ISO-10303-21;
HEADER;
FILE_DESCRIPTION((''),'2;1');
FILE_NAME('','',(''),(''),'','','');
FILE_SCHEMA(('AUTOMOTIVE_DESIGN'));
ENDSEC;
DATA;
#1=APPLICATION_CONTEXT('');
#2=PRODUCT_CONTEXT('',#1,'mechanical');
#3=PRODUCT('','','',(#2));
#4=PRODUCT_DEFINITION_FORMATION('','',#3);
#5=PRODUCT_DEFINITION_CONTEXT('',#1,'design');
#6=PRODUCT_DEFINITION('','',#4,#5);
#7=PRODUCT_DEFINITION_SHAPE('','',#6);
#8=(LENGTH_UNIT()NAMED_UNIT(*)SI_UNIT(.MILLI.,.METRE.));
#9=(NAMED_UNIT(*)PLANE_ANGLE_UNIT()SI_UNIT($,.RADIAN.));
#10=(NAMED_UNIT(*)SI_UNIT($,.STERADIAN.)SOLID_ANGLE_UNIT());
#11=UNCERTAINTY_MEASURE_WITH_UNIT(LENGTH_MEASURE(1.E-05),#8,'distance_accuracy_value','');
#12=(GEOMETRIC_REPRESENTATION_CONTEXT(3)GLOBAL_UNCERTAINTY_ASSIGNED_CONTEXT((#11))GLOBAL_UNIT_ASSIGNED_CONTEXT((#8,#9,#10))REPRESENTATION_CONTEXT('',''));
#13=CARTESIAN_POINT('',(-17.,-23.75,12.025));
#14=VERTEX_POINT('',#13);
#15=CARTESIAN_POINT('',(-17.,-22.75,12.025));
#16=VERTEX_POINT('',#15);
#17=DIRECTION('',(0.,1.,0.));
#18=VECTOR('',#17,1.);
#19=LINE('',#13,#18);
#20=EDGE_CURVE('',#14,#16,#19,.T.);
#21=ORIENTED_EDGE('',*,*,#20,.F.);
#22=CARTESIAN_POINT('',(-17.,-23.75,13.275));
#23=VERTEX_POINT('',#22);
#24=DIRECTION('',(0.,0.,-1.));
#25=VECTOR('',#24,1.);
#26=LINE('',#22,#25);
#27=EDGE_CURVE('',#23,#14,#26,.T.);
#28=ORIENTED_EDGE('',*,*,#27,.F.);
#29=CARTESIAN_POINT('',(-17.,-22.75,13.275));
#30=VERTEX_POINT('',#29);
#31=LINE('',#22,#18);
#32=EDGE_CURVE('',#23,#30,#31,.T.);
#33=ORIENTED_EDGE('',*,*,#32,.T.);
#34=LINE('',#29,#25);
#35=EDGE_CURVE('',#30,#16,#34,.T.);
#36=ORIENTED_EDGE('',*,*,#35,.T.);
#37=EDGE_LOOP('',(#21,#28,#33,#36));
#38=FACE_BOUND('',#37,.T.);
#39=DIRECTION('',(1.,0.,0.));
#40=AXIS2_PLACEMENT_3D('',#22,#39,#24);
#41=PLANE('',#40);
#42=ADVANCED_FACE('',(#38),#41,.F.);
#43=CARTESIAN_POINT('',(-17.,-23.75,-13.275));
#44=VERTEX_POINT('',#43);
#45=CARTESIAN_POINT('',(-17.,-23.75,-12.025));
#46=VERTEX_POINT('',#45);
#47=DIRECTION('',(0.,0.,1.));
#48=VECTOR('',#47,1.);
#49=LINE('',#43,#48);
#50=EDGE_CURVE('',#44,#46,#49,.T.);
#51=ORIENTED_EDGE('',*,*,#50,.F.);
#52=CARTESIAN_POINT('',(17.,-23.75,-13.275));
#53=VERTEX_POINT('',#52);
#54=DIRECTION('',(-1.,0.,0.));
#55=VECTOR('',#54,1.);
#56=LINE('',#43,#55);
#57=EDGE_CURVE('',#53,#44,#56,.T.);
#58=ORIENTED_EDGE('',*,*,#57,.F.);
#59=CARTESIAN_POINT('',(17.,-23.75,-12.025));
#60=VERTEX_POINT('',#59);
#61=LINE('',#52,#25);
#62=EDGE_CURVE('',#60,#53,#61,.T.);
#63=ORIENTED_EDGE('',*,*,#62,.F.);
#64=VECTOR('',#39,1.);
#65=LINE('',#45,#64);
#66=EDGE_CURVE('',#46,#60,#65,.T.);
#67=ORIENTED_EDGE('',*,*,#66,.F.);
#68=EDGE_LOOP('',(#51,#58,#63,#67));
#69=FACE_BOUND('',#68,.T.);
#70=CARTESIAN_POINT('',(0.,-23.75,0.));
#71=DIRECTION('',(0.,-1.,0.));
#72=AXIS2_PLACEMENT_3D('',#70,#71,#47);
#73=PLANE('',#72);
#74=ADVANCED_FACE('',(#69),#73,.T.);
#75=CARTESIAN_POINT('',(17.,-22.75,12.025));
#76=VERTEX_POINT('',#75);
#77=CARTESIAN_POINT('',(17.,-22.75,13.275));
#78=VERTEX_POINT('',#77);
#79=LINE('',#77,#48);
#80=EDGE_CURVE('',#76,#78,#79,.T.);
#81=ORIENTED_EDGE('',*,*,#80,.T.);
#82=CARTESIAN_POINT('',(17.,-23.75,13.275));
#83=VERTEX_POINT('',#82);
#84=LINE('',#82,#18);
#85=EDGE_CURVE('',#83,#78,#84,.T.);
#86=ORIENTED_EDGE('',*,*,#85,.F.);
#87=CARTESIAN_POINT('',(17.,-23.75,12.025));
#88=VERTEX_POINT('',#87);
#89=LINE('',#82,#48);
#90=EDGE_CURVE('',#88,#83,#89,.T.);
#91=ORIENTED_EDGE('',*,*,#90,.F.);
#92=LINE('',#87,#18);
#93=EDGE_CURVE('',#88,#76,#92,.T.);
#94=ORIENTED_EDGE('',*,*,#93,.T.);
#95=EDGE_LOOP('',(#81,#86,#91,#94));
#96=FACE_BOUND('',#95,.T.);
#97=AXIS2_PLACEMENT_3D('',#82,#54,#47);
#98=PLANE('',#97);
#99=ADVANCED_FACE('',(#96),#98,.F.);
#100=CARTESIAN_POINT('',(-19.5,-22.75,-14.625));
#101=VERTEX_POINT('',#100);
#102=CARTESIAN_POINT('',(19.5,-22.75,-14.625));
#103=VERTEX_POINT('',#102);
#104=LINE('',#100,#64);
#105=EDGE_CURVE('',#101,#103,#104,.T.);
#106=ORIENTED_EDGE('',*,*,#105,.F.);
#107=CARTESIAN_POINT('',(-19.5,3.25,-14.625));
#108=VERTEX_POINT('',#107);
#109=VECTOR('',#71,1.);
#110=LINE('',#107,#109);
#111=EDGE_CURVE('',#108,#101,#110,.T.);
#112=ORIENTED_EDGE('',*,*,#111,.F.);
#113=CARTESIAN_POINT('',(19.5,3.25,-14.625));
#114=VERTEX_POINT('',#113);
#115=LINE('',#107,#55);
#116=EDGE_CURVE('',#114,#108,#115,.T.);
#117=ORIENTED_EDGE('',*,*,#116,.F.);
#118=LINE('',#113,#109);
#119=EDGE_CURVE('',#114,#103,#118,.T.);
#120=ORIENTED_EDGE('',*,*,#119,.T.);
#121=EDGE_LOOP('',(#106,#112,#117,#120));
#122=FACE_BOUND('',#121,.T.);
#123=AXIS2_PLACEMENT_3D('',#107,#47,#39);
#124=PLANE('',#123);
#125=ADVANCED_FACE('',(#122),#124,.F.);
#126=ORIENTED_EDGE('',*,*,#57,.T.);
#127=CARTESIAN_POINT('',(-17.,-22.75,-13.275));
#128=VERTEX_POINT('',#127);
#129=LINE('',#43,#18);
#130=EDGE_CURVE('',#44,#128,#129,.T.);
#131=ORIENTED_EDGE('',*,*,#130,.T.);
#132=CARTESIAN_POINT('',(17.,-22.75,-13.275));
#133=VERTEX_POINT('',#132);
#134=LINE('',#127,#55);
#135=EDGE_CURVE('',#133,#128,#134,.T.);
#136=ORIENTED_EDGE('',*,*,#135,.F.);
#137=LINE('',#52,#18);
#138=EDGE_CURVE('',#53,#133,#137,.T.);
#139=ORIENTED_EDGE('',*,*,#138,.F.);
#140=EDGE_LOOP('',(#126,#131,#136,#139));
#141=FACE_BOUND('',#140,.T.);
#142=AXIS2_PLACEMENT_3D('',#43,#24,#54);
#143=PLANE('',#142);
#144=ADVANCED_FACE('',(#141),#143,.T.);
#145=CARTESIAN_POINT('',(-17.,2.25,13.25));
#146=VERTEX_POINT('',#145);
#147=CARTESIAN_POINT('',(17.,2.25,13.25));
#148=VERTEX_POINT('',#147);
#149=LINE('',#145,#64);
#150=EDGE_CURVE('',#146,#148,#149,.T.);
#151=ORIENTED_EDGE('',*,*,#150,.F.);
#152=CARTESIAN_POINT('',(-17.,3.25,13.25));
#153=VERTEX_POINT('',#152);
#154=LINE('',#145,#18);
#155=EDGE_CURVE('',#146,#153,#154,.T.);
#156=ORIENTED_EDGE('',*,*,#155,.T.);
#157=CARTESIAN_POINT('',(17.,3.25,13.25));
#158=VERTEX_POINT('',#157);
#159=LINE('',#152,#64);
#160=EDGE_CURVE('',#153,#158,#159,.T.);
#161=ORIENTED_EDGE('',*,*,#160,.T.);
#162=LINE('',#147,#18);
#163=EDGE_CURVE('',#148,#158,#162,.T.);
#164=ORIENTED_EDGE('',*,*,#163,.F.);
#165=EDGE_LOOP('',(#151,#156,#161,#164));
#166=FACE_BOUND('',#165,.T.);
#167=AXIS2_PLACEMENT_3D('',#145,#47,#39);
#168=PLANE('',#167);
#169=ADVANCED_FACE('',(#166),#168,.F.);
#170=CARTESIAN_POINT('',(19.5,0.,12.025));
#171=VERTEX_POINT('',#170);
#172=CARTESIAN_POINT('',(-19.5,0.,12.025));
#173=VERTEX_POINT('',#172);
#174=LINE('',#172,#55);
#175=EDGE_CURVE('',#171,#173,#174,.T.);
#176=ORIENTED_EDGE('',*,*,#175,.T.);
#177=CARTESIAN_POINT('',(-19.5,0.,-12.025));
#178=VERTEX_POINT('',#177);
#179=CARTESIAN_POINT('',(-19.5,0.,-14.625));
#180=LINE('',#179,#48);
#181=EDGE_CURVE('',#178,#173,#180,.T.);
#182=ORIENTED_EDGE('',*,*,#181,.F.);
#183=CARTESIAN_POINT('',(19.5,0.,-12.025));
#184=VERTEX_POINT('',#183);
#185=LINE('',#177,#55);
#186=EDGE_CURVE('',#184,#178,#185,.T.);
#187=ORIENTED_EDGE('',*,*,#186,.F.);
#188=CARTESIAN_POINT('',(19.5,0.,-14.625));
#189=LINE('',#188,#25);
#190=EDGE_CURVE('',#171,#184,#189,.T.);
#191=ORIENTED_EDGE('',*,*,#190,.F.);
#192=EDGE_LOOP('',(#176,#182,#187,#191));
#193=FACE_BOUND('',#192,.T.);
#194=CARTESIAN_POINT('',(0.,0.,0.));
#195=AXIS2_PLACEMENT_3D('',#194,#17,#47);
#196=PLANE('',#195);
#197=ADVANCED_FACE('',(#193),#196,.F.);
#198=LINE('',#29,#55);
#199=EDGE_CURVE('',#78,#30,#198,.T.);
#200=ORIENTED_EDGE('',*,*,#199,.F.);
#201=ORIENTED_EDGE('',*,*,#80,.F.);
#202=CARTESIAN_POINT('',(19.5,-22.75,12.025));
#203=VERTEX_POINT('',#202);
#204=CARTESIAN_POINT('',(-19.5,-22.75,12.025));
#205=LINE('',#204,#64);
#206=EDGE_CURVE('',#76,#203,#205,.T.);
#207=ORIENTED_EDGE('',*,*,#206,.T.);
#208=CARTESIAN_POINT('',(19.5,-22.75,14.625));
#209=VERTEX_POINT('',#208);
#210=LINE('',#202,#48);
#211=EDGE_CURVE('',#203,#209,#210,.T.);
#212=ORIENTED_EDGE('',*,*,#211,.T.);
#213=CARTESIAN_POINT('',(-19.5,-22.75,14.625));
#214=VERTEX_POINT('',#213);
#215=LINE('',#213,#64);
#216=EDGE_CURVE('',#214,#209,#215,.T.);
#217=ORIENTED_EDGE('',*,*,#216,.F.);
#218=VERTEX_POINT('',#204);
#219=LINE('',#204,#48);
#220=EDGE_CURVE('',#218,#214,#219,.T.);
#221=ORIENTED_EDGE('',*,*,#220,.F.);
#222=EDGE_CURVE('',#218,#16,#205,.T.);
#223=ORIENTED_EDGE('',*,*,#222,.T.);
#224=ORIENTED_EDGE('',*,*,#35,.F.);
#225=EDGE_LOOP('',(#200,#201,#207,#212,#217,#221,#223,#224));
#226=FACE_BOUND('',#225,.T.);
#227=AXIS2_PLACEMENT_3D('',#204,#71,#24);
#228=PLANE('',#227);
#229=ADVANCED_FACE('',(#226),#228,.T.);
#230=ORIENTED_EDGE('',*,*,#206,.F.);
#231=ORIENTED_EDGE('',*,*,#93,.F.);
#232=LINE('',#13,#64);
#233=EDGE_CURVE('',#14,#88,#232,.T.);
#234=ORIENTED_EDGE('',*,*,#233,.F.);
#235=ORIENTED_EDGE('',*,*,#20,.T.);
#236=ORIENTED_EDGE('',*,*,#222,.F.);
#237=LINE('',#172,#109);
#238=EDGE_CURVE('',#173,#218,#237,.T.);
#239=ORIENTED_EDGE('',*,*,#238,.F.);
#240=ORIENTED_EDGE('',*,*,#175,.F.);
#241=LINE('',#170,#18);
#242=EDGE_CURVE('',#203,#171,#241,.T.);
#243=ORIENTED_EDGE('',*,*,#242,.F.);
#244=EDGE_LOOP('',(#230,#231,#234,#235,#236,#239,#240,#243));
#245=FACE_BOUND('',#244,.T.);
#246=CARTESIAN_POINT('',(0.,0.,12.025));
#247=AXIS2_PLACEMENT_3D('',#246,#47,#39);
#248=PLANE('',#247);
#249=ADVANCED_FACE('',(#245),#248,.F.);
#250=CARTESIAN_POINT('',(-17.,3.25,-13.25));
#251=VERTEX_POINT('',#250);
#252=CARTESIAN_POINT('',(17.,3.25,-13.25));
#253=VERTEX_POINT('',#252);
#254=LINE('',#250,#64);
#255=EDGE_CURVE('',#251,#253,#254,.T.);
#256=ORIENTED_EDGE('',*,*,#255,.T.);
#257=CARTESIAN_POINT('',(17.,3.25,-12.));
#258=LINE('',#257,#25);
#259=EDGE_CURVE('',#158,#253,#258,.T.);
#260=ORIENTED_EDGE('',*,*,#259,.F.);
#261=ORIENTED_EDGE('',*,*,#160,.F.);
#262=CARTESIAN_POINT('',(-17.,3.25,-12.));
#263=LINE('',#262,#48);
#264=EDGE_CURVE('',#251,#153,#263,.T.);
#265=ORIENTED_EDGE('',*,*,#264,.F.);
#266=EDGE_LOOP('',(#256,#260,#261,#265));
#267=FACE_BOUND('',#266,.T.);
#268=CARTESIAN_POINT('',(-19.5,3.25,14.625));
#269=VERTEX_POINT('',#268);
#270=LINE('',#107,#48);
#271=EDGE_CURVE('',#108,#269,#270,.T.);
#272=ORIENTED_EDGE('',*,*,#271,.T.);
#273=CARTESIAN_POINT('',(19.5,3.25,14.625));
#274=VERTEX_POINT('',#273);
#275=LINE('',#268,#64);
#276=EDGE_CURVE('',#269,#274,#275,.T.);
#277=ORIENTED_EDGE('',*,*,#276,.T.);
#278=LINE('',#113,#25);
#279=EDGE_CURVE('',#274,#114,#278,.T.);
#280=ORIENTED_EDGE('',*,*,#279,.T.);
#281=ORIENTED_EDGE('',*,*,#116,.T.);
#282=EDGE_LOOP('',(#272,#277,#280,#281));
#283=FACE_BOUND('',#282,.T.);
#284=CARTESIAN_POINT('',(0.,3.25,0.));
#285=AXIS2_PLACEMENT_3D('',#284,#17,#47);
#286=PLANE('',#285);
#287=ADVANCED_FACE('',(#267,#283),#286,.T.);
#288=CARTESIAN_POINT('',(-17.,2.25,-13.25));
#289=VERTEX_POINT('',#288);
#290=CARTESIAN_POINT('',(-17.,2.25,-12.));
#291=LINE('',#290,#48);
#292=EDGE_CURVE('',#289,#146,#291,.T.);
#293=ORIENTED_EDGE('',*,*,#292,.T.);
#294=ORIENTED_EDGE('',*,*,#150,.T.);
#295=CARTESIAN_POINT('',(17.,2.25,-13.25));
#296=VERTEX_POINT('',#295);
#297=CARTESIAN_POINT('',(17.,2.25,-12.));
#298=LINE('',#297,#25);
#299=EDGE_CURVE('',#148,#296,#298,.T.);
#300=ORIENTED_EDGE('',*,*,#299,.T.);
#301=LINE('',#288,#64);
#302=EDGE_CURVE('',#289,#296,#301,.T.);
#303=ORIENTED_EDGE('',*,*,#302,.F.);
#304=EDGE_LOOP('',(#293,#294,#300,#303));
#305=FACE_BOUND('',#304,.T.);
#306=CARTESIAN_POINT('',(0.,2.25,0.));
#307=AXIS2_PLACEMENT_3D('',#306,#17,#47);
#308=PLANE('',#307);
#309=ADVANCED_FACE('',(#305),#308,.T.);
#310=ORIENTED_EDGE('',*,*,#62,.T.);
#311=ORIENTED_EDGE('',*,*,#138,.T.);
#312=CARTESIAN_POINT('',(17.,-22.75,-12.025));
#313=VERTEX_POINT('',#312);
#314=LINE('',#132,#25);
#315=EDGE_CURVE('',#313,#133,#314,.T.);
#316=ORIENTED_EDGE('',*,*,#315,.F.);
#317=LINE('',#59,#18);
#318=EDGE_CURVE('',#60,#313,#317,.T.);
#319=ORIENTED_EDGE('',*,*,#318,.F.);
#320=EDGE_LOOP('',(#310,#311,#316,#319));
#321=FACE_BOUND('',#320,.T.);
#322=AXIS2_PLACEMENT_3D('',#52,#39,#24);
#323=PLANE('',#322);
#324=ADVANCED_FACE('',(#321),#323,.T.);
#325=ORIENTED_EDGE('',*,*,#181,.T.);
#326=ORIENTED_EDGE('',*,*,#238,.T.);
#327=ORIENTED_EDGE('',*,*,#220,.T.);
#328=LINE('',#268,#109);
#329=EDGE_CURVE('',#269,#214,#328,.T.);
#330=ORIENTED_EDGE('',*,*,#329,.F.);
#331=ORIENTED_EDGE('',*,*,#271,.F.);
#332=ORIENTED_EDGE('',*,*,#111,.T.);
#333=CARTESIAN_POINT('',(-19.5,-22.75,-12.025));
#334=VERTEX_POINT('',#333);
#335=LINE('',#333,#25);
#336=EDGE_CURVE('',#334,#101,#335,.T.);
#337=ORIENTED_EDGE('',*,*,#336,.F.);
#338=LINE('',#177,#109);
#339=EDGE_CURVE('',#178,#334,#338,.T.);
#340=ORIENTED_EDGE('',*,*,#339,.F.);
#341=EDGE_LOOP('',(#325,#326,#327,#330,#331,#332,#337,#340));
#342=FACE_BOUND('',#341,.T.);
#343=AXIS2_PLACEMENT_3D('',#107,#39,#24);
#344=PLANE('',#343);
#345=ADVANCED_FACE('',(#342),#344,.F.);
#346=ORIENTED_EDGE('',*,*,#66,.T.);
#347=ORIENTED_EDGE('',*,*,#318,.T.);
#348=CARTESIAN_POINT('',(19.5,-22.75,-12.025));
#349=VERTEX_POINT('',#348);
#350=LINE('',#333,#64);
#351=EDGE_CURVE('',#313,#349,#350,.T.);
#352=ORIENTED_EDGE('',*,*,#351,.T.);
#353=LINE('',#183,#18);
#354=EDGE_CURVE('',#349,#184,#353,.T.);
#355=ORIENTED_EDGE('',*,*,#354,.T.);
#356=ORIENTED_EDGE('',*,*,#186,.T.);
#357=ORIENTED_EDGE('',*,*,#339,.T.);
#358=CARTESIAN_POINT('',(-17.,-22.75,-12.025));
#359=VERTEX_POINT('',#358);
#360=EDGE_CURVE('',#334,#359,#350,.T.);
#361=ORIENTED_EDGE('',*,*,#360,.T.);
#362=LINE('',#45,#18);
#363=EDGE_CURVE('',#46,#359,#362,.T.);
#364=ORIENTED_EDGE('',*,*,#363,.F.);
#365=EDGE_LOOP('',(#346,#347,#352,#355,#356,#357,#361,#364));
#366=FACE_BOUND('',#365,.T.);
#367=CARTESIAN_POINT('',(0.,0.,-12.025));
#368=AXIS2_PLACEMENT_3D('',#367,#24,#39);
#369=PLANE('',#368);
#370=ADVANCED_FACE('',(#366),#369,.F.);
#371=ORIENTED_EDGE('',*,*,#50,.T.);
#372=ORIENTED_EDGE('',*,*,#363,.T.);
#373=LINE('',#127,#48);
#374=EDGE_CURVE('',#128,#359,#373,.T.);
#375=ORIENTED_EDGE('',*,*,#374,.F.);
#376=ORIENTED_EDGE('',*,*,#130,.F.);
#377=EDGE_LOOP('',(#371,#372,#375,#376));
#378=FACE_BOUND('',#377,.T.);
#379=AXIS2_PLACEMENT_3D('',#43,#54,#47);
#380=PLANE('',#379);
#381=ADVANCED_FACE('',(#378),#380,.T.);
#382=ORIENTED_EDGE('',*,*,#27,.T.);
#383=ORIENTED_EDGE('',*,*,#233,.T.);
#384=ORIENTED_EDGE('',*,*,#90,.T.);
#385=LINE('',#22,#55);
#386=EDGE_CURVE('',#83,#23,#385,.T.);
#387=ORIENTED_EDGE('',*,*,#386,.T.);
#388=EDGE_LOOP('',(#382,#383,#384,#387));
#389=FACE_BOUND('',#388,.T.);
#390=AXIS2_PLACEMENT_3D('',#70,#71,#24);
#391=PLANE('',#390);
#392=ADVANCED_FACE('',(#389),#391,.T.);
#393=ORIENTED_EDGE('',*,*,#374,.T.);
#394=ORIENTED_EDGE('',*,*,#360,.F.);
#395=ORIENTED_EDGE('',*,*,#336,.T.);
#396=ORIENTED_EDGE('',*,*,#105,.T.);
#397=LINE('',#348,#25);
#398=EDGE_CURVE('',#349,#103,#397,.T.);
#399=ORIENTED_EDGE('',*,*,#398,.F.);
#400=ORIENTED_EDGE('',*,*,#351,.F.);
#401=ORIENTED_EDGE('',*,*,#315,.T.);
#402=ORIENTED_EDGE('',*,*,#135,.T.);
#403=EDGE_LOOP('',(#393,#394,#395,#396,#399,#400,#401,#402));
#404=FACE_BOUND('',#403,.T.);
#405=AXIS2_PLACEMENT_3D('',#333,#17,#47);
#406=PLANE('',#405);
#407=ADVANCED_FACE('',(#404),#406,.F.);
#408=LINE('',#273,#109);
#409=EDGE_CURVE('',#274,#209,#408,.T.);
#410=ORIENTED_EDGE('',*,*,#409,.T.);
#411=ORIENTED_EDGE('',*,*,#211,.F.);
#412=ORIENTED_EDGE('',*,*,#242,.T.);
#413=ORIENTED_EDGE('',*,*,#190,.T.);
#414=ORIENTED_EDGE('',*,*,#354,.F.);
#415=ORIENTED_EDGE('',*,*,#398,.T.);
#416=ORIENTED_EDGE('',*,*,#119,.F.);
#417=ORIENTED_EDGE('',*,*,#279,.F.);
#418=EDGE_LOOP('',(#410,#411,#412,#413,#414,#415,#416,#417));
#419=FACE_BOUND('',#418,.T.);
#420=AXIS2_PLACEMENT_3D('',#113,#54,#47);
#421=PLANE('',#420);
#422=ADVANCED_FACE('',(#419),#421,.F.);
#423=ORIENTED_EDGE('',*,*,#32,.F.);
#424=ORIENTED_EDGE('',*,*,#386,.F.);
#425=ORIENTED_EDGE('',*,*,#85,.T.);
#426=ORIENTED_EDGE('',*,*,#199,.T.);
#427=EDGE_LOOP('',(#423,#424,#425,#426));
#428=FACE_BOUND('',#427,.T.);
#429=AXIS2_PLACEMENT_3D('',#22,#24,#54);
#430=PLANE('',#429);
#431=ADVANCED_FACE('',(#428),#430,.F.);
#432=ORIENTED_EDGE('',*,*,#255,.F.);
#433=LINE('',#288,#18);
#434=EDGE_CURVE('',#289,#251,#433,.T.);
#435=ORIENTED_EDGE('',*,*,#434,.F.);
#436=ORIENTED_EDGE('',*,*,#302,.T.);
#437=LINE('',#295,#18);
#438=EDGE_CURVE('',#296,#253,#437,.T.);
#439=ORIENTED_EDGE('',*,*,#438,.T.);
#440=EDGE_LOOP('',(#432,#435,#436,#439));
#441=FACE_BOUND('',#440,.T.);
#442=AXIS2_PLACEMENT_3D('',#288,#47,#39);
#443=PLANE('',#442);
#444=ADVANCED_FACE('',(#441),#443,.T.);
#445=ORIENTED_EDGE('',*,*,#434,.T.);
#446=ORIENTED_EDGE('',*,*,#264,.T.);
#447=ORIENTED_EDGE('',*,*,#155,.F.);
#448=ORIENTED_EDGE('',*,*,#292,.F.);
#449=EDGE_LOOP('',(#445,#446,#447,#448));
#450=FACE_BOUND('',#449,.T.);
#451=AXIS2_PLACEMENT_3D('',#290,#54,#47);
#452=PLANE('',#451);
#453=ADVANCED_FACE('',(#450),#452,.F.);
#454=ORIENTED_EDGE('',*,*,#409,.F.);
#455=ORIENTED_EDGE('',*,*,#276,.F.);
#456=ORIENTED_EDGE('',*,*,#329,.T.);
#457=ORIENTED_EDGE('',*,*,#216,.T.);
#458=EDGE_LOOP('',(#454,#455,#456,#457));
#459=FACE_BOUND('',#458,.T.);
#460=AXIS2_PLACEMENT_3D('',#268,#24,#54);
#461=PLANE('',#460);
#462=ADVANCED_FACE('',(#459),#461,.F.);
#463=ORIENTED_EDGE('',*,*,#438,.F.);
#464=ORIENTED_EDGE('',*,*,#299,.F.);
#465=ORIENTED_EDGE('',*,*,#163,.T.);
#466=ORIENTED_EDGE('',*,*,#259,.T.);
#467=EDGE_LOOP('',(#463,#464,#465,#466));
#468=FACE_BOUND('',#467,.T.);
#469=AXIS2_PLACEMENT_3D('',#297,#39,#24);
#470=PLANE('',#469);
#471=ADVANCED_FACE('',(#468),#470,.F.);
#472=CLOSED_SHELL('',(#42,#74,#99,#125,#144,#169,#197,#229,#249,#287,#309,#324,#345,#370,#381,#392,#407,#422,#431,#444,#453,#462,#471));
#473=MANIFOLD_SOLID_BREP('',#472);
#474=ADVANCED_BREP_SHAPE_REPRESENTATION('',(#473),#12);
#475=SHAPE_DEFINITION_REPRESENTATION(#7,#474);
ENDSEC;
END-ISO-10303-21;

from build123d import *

# Parameters (mm, degrees)
SKETCH1_W           = 39
SKETCH1_H           = 29.25
BOSS_EXTRUDE1_DEPTH = 3.25
SKETCH2_W           = 34
SKETCH2_H           = 24
CUT_EXTRUDE1_DEPTH  = 1
SKETCH3_W           = 34
SKETCH3_H           = 1.25
CUT_EXTRUDE2_DEPTH  = 1
SKETCH4_W           = 39
SKETCH4_H           = 22.75
BOSS_EXTRUDE2_DEPTH = 2.6
SKETCH6_W           = 34
SKETCH6_H           = 1.25
BOSS_EXTRUDE3_DEPTH = 1


with BuildPart() as part:
    # Sketch1 → Boss-Extrude1 (new body)
    with BuildSketch(Plane(origin=(0, 0, 0), x_dir=(1, 0, 0), z_dir=(0, 1, 0))):
        Rectangle(SKETCH1_W, SKETCH1_H)
    extrude(amount=BOSS_EXTRUDE1_DEPTH)

    # Sketch2 → Cut-Extrude1 (cut)
    with BuildSketch(Plane(origin=(0, 3.25, 0), x_dir=(1, 0, 0), z_dir=(0, 1, 0))):
        Rectangle(SKETCH2_W, SKETCH2_H)
    extrude(amount=-CUT_EXTRUDE1_DEPTH, mode=Mode.SUBTRACT)

    # Sketch3 → Cut-Extrude2 (cut)
    with BuildSketch(Plane(origin=(0, 3.25, 0), x_dir=(1, 0, 0), z_dir=(0, 1, 0))):
        with Locations((0, -12.625)):
            Rectangle(SKETCH3_W, SKETCH3_H)
    cut_extrude2 = extrude(amount=-CUT_EXTRUDE2_DEPTH, mode=Mode.SUBTRACT)

    # Mirror1: Cut-Extrude2 across plane
    add(cut_extrude2.mirror(Plane.XY), mode=Mode.SUBTRACT)

    # Sketch4 → Boss-Extrude2 (add)
    with BuildSketch(Plane.XY.offset(14.625)):
        with Locations((0, -11.375)):
            Rectangle(SKETCH4_W, SKETCH4_H)
    boss_extrude2 = extrude(amount=-BOSS_EXTRUDE2_DEPTH)

    # Sketch6 → Boss-Extrude3 (add)
    with BuildSketch(Plane.XZ.offset(22.75)):
        with Locations((0, 12.65)):
            Rectangle(SKETCH6_W, SKETCH6_H)
    boss_extrude3 = extrude(amount=BOSS_EXTRUDE3_DEPTH)

    # Mirror2: Boss-Extrude2, Boss-Extrude3 across plane
    add(boss_extrude2.mirror(Plane.XY))
    add(boss_extrude3.mirror(Plane.XY))


solid = part.part
